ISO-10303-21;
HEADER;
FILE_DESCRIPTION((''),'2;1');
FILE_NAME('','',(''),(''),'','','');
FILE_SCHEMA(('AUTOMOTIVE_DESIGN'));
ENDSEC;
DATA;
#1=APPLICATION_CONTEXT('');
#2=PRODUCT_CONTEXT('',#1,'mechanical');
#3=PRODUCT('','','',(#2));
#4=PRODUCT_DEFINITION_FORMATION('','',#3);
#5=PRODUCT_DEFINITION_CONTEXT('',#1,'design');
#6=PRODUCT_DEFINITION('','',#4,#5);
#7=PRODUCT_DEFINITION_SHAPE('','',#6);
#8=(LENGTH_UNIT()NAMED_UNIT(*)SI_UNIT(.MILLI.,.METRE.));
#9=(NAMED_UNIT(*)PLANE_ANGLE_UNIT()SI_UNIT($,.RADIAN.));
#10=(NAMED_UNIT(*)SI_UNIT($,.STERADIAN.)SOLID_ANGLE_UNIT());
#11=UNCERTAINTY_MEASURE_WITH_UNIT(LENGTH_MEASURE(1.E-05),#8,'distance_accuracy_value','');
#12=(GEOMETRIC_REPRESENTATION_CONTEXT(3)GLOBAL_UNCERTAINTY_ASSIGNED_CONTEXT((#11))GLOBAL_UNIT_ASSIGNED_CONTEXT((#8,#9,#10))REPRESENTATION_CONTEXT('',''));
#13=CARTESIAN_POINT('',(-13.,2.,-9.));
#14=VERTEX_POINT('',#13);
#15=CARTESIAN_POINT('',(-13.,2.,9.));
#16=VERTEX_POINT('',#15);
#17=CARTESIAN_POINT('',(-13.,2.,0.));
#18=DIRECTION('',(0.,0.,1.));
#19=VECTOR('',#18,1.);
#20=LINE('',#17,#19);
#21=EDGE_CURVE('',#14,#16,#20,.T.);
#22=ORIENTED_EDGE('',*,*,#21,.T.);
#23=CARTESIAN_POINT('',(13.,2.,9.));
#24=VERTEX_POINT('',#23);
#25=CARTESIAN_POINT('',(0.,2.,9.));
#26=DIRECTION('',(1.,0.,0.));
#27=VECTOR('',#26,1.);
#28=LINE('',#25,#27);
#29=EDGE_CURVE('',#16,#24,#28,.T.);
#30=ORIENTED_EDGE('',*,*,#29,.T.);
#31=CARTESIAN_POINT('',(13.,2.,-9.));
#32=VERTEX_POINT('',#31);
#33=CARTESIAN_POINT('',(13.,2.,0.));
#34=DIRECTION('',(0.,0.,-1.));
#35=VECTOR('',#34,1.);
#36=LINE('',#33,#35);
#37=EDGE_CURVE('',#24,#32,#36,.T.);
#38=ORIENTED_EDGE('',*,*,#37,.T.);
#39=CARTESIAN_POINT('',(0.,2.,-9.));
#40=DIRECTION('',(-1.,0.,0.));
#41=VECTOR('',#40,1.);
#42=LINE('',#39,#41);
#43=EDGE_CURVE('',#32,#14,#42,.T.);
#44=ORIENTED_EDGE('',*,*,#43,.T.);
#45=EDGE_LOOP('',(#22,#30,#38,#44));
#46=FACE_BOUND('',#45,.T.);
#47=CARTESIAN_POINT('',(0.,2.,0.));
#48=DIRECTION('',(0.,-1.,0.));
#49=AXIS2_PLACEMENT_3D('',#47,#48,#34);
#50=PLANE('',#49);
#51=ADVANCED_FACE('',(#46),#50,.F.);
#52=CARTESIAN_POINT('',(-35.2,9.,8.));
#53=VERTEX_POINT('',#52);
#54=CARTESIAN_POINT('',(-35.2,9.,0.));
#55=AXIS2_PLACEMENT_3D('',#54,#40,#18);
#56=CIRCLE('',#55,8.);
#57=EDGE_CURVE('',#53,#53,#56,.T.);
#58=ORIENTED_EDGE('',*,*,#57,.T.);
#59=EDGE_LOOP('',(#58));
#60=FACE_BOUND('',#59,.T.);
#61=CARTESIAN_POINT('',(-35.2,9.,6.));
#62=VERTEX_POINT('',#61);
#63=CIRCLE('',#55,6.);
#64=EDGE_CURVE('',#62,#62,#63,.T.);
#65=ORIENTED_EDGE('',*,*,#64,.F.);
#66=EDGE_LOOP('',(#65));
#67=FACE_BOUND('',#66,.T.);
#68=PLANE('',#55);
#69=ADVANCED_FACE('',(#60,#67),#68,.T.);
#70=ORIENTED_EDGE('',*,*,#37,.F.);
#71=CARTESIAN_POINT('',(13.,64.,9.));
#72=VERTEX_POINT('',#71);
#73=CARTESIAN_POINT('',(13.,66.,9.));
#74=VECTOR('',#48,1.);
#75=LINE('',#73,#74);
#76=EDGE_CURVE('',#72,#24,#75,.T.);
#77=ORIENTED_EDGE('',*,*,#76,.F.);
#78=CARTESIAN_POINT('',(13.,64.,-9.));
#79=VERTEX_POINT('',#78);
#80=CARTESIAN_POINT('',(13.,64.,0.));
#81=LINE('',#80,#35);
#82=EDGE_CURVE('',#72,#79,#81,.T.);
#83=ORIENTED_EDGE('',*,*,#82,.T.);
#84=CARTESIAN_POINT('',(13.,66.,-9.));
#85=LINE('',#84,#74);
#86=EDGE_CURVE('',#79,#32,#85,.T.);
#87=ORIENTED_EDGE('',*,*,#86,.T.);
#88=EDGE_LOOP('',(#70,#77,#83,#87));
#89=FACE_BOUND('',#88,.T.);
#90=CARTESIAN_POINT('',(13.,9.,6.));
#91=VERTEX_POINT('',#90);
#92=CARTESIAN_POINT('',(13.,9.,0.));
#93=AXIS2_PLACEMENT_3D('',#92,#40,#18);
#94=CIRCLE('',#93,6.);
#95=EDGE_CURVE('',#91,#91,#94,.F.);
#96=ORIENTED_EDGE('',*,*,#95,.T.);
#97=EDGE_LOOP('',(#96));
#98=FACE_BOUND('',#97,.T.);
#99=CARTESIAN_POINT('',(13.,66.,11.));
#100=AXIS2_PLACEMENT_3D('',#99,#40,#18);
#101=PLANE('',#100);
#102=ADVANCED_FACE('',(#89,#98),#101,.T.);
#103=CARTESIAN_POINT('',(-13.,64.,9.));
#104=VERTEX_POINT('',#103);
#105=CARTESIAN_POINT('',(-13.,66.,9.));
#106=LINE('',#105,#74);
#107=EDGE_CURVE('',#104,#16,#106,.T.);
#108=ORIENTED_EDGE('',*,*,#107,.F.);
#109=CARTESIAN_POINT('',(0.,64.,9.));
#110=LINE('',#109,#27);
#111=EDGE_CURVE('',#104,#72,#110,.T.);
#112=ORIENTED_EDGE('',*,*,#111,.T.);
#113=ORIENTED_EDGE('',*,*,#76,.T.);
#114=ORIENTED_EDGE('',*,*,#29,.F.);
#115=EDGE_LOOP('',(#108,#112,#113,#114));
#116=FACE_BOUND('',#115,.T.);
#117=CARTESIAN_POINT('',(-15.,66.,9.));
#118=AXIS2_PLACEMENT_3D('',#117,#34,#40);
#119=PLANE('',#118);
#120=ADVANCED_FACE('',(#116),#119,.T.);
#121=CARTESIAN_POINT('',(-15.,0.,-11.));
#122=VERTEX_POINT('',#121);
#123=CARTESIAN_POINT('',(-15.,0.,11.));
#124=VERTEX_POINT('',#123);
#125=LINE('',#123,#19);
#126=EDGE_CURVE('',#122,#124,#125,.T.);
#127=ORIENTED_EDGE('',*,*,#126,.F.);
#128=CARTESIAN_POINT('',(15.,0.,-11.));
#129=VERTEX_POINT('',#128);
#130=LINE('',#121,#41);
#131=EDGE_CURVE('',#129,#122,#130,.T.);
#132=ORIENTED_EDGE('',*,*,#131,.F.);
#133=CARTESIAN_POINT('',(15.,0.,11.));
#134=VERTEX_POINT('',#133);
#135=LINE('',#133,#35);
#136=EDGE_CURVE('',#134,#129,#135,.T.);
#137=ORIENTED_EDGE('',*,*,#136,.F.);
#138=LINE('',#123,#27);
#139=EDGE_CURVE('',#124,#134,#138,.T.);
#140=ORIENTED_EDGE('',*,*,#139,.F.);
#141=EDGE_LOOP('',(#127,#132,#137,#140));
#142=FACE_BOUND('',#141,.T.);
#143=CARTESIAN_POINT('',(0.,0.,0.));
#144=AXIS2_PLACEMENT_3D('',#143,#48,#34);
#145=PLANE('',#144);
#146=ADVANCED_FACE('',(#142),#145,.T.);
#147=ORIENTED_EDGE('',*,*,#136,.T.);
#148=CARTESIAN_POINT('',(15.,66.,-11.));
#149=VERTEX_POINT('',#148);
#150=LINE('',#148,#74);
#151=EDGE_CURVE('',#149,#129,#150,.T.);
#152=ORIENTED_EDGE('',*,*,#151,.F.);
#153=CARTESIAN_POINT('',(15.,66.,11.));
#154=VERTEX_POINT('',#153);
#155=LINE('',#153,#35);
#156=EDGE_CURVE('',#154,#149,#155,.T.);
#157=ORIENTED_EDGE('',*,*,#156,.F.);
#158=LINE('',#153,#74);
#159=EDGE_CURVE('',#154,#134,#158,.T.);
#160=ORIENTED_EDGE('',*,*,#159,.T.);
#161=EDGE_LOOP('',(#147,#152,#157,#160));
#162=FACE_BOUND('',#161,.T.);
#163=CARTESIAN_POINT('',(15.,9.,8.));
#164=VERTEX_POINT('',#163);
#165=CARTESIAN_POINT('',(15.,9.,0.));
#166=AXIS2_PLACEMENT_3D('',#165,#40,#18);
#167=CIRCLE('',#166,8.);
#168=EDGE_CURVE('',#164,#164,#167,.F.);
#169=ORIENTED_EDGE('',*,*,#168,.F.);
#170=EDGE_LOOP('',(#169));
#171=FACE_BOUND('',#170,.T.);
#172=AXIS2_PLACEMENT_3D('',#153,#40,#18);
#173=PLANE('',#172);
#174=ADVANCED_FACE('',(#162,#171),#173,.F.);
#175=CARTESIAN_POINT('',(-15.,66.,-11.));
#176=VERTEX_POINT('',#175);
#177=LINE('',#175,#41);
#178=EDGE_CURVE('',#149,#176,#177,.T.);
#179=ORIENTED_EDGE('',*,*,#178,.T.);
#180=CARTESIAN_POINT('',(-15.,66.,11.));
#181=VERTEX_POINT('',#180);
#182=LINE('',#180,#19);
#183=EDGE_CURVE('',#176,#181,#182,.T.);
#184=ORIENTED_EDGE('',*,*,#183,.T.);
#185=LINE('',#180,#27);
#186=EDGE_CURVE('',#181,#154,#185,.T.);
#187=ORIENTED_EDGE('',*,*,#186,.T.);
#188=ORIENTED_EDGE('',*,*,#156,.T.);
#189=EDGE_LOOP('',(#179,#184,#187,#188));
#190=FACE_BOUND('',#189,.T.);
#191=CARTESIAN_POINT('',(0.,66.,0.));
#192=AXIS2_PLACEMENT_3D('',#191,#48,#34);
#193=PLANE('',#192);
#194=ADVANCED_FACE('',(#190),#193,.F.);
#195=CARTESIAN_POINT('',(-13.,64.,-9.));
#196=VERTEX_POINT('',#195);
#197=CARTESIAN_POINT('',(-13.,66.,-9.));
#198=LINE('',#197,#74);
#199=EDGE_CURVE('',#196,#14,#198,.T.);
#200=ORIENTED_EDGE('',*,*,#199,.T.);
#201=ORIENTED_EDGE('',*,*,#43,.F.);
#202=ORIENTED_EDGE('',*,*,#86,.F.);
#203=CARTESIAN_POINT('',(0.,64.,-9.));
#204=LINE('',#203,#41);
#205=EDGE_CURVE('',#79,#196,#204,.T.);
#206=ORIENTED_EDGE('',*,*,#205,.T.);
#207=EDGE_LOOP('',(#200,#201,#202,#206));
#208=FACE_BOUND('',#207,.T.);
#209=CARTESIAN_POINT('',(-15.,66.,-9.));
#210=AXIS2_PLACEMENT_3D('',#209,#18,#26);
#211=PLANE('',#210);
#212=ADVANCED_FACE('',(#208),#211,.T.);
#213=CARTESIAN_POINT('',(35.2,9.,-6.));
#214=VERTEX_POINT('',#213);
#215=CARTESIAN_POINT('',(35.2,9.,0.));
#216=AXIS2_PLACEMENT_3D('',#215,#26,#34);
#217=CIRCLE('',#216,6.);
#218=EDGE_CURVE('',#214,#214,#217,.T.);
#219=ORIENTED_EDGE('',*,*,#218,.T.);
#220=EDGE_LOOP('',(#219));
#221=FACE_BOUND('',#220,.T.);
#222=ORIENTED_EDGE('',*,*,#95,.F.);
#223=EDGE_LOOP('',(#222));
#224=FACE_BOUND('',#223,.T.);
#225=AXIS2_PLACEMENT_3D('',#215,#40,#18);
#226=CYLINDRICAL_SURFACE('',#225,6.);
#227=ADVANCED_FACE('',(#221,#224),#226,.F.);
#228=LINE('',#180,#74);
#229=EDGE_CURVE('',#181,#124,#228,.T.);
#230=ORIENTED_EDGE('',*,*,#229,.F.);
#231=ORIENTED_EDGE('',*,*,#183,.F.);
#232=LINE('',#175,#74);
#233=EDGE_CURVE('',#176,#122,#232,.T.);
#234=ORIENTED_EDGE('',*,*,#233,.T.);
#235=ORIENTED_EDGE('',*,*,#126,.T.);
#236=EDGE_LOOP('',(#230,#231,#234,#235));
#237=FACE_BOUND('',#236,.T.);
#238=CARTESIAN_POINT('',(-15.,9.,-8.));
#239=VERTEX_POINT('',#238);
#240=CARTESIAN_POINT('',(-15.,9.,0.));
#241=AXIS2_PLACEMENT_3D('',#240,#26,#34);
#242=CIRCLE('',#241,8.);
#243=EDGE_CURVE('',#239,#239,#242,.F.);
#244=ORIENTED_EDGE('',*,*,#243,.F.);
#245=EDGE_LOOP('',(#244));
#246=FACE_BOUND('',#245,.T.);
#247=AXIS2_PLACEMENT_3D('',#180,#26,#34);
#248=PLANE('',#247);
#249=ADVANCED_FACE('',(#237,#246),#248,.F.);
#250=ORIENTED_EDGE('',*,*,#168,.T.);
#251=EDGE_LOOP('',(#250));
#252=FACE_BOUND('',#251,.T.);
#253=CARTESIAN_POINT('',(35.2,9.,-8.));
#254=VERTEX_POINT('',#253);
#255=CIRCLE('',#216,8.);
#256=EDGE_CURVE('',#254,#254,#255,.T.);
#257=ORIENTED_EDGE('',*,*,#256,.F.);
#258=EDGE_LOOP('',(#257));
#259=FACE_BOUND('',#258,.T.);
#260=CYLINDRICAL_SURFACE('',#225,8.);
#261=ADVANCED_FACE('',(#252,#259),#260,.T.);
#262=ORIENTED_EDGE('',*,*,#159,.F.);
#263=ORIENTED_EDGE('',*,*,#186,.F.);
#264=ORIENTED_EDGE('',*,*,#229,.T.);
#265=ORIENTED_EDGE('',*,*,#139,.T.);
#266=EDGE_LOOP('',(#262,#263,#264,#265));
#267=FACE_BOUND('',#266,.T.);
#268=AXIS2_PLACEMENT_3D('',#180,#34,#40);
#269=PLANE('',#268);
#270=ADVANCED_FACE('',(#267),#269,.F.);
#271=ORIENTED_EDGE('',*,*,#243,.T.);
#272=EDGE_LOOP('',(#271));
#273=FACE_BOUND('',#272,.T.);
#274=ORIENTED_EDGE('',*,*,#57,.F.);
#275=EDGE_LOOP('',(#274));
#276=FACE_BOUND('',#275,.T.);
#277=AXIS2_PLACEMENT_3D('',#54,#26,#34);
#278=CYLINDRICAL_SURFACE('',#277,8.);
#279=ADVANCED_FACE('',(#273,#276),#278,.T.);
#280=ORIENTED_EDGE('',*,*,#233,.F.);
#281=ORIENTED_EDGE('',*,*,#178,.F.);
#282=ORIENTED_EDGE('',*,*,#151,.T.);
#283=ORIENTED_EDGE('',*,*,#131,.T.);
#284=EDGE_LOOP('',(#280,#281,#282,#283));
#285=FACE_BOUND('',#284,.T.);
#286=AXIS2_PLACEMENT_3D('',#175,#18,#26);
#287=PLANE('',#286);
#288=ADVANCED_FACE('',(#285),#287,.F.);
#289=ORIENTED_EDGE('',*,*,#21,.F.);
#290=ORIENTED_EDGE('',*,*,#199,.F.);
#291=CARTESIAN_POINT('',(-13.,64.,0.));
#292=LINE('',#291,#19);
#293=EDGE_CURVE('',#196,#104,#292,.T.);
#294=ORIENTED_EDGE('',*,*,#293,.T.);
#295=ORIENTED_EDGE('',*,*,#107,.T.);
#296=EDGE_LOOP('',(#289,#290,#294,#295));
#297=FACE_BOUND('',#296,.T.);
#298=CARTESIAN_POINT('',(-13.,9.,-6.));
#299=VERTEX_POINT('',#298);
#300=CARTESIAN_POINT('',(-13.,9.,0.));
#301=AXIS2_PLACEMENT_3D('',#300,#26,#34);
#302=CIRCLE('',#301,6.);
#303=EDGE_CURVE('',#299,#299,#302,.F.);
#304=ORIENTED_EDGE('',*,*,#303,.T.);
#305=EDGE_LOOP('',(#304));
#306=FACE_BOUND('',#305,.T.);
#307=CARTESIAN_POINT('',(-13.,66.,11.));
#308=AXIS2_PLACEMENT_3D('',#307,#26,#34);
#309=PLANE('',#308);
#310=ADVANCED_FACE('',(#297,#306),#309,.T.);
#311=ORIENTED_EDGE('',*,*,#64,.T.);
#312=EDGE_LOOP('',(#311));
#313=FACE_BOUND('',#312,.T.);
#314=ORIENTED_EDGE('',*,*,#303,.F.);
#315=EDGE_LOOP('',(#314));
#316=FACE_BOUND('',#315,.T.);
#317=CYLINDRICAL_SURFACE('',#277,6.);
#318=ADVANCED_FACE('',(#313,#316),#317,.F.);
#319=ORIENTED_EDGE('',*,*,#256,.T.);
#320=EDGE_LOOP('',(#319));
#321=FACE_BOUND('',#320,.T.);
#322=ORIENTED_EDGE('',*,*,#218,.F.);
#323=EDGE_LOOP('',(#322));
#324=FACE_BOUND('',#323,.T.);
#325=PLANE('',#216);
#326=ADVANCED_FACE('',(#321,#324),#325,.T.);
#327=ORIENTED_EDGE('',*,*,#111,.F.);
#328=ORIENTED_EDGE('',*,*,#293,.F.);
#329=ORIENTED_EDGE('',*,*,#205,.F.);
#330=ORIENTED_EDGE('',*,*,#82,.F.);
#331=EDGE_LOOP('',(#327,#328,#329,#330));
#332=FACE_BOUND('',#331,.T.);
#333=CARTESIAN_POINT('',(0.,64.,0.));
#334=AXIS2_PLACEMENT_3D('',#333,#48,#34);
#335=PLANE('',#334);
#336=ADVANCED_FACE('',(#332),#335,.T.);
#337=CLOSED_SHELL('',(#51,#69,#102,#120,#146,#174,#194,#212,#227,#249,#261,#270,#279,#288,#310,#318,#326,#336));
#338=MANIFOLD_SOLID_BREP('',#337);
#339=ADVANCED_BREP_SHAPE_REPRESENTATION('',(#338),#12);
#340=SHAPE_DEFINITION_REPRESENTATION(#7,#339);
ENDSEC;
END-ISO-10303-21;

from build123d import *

# Parameters (mm, degrees)
SKETCH1_W           = 30
SKETCH1_H           = 22
BOSS_EXTRUDE1_DEPTH = 66
SKETCH2_R           = 8
BOSS_EXTRUDE2_DEPTH = 20.2
BOSS_EXTRUDE3_START = 20.2
SKETCH3_R           = 8
BOSS_EXTRUDE3_DEPTH = 20.2
SHELL1_T            = -2


with BuildPart() as part:
    # Sketch1 → Boss-Extrude1 (new body)
    with BuildSketch(Plane(origin=(0, 0, 0), x_dir=(1, 0, 0), z_dir=(0, 1, 0))):
        Rectangle(SKETCH1_W, SKETCH1_H)
    extrude(amount=BOSS_EXTRUDE1_DEPTH)

    # Sketch2 → Boss-Extrude2 (add)
    with BuildSketch(Plane.ZY.offset(15)):
        with Locations(Location((0, 9, 0), (0, 0, 180))):
            Circle(SKETCH2_R)
    extrude(amount=BOSS_EXTRUDE2_DEPTH)

    # Sketch3 → Boss-Extrude3 (add)
    with BuildSketch(Plane(origin=(15, 0, 0), x_dir=(0, 0, -1), z_dir=(1, 0, 0)).offset(BOSS_EXTRUDE3_START)):
        with Locations((0, 9)):
            Circle(SKETCH3_R)
    extrude(amount=-BOSS_EXTRUDE3_DEPTH)

    # Shell1
    shell1_openings = [part.faces().sort_by_distance(p)[0] for p in [
        (-35.2, 9, 0),
        (35.2, 9, 0),
    ]]
    offset(amount=SHELL1_T, openings=shell1_openings, kind=Kind.INTERSECTION)


solid = part.part
